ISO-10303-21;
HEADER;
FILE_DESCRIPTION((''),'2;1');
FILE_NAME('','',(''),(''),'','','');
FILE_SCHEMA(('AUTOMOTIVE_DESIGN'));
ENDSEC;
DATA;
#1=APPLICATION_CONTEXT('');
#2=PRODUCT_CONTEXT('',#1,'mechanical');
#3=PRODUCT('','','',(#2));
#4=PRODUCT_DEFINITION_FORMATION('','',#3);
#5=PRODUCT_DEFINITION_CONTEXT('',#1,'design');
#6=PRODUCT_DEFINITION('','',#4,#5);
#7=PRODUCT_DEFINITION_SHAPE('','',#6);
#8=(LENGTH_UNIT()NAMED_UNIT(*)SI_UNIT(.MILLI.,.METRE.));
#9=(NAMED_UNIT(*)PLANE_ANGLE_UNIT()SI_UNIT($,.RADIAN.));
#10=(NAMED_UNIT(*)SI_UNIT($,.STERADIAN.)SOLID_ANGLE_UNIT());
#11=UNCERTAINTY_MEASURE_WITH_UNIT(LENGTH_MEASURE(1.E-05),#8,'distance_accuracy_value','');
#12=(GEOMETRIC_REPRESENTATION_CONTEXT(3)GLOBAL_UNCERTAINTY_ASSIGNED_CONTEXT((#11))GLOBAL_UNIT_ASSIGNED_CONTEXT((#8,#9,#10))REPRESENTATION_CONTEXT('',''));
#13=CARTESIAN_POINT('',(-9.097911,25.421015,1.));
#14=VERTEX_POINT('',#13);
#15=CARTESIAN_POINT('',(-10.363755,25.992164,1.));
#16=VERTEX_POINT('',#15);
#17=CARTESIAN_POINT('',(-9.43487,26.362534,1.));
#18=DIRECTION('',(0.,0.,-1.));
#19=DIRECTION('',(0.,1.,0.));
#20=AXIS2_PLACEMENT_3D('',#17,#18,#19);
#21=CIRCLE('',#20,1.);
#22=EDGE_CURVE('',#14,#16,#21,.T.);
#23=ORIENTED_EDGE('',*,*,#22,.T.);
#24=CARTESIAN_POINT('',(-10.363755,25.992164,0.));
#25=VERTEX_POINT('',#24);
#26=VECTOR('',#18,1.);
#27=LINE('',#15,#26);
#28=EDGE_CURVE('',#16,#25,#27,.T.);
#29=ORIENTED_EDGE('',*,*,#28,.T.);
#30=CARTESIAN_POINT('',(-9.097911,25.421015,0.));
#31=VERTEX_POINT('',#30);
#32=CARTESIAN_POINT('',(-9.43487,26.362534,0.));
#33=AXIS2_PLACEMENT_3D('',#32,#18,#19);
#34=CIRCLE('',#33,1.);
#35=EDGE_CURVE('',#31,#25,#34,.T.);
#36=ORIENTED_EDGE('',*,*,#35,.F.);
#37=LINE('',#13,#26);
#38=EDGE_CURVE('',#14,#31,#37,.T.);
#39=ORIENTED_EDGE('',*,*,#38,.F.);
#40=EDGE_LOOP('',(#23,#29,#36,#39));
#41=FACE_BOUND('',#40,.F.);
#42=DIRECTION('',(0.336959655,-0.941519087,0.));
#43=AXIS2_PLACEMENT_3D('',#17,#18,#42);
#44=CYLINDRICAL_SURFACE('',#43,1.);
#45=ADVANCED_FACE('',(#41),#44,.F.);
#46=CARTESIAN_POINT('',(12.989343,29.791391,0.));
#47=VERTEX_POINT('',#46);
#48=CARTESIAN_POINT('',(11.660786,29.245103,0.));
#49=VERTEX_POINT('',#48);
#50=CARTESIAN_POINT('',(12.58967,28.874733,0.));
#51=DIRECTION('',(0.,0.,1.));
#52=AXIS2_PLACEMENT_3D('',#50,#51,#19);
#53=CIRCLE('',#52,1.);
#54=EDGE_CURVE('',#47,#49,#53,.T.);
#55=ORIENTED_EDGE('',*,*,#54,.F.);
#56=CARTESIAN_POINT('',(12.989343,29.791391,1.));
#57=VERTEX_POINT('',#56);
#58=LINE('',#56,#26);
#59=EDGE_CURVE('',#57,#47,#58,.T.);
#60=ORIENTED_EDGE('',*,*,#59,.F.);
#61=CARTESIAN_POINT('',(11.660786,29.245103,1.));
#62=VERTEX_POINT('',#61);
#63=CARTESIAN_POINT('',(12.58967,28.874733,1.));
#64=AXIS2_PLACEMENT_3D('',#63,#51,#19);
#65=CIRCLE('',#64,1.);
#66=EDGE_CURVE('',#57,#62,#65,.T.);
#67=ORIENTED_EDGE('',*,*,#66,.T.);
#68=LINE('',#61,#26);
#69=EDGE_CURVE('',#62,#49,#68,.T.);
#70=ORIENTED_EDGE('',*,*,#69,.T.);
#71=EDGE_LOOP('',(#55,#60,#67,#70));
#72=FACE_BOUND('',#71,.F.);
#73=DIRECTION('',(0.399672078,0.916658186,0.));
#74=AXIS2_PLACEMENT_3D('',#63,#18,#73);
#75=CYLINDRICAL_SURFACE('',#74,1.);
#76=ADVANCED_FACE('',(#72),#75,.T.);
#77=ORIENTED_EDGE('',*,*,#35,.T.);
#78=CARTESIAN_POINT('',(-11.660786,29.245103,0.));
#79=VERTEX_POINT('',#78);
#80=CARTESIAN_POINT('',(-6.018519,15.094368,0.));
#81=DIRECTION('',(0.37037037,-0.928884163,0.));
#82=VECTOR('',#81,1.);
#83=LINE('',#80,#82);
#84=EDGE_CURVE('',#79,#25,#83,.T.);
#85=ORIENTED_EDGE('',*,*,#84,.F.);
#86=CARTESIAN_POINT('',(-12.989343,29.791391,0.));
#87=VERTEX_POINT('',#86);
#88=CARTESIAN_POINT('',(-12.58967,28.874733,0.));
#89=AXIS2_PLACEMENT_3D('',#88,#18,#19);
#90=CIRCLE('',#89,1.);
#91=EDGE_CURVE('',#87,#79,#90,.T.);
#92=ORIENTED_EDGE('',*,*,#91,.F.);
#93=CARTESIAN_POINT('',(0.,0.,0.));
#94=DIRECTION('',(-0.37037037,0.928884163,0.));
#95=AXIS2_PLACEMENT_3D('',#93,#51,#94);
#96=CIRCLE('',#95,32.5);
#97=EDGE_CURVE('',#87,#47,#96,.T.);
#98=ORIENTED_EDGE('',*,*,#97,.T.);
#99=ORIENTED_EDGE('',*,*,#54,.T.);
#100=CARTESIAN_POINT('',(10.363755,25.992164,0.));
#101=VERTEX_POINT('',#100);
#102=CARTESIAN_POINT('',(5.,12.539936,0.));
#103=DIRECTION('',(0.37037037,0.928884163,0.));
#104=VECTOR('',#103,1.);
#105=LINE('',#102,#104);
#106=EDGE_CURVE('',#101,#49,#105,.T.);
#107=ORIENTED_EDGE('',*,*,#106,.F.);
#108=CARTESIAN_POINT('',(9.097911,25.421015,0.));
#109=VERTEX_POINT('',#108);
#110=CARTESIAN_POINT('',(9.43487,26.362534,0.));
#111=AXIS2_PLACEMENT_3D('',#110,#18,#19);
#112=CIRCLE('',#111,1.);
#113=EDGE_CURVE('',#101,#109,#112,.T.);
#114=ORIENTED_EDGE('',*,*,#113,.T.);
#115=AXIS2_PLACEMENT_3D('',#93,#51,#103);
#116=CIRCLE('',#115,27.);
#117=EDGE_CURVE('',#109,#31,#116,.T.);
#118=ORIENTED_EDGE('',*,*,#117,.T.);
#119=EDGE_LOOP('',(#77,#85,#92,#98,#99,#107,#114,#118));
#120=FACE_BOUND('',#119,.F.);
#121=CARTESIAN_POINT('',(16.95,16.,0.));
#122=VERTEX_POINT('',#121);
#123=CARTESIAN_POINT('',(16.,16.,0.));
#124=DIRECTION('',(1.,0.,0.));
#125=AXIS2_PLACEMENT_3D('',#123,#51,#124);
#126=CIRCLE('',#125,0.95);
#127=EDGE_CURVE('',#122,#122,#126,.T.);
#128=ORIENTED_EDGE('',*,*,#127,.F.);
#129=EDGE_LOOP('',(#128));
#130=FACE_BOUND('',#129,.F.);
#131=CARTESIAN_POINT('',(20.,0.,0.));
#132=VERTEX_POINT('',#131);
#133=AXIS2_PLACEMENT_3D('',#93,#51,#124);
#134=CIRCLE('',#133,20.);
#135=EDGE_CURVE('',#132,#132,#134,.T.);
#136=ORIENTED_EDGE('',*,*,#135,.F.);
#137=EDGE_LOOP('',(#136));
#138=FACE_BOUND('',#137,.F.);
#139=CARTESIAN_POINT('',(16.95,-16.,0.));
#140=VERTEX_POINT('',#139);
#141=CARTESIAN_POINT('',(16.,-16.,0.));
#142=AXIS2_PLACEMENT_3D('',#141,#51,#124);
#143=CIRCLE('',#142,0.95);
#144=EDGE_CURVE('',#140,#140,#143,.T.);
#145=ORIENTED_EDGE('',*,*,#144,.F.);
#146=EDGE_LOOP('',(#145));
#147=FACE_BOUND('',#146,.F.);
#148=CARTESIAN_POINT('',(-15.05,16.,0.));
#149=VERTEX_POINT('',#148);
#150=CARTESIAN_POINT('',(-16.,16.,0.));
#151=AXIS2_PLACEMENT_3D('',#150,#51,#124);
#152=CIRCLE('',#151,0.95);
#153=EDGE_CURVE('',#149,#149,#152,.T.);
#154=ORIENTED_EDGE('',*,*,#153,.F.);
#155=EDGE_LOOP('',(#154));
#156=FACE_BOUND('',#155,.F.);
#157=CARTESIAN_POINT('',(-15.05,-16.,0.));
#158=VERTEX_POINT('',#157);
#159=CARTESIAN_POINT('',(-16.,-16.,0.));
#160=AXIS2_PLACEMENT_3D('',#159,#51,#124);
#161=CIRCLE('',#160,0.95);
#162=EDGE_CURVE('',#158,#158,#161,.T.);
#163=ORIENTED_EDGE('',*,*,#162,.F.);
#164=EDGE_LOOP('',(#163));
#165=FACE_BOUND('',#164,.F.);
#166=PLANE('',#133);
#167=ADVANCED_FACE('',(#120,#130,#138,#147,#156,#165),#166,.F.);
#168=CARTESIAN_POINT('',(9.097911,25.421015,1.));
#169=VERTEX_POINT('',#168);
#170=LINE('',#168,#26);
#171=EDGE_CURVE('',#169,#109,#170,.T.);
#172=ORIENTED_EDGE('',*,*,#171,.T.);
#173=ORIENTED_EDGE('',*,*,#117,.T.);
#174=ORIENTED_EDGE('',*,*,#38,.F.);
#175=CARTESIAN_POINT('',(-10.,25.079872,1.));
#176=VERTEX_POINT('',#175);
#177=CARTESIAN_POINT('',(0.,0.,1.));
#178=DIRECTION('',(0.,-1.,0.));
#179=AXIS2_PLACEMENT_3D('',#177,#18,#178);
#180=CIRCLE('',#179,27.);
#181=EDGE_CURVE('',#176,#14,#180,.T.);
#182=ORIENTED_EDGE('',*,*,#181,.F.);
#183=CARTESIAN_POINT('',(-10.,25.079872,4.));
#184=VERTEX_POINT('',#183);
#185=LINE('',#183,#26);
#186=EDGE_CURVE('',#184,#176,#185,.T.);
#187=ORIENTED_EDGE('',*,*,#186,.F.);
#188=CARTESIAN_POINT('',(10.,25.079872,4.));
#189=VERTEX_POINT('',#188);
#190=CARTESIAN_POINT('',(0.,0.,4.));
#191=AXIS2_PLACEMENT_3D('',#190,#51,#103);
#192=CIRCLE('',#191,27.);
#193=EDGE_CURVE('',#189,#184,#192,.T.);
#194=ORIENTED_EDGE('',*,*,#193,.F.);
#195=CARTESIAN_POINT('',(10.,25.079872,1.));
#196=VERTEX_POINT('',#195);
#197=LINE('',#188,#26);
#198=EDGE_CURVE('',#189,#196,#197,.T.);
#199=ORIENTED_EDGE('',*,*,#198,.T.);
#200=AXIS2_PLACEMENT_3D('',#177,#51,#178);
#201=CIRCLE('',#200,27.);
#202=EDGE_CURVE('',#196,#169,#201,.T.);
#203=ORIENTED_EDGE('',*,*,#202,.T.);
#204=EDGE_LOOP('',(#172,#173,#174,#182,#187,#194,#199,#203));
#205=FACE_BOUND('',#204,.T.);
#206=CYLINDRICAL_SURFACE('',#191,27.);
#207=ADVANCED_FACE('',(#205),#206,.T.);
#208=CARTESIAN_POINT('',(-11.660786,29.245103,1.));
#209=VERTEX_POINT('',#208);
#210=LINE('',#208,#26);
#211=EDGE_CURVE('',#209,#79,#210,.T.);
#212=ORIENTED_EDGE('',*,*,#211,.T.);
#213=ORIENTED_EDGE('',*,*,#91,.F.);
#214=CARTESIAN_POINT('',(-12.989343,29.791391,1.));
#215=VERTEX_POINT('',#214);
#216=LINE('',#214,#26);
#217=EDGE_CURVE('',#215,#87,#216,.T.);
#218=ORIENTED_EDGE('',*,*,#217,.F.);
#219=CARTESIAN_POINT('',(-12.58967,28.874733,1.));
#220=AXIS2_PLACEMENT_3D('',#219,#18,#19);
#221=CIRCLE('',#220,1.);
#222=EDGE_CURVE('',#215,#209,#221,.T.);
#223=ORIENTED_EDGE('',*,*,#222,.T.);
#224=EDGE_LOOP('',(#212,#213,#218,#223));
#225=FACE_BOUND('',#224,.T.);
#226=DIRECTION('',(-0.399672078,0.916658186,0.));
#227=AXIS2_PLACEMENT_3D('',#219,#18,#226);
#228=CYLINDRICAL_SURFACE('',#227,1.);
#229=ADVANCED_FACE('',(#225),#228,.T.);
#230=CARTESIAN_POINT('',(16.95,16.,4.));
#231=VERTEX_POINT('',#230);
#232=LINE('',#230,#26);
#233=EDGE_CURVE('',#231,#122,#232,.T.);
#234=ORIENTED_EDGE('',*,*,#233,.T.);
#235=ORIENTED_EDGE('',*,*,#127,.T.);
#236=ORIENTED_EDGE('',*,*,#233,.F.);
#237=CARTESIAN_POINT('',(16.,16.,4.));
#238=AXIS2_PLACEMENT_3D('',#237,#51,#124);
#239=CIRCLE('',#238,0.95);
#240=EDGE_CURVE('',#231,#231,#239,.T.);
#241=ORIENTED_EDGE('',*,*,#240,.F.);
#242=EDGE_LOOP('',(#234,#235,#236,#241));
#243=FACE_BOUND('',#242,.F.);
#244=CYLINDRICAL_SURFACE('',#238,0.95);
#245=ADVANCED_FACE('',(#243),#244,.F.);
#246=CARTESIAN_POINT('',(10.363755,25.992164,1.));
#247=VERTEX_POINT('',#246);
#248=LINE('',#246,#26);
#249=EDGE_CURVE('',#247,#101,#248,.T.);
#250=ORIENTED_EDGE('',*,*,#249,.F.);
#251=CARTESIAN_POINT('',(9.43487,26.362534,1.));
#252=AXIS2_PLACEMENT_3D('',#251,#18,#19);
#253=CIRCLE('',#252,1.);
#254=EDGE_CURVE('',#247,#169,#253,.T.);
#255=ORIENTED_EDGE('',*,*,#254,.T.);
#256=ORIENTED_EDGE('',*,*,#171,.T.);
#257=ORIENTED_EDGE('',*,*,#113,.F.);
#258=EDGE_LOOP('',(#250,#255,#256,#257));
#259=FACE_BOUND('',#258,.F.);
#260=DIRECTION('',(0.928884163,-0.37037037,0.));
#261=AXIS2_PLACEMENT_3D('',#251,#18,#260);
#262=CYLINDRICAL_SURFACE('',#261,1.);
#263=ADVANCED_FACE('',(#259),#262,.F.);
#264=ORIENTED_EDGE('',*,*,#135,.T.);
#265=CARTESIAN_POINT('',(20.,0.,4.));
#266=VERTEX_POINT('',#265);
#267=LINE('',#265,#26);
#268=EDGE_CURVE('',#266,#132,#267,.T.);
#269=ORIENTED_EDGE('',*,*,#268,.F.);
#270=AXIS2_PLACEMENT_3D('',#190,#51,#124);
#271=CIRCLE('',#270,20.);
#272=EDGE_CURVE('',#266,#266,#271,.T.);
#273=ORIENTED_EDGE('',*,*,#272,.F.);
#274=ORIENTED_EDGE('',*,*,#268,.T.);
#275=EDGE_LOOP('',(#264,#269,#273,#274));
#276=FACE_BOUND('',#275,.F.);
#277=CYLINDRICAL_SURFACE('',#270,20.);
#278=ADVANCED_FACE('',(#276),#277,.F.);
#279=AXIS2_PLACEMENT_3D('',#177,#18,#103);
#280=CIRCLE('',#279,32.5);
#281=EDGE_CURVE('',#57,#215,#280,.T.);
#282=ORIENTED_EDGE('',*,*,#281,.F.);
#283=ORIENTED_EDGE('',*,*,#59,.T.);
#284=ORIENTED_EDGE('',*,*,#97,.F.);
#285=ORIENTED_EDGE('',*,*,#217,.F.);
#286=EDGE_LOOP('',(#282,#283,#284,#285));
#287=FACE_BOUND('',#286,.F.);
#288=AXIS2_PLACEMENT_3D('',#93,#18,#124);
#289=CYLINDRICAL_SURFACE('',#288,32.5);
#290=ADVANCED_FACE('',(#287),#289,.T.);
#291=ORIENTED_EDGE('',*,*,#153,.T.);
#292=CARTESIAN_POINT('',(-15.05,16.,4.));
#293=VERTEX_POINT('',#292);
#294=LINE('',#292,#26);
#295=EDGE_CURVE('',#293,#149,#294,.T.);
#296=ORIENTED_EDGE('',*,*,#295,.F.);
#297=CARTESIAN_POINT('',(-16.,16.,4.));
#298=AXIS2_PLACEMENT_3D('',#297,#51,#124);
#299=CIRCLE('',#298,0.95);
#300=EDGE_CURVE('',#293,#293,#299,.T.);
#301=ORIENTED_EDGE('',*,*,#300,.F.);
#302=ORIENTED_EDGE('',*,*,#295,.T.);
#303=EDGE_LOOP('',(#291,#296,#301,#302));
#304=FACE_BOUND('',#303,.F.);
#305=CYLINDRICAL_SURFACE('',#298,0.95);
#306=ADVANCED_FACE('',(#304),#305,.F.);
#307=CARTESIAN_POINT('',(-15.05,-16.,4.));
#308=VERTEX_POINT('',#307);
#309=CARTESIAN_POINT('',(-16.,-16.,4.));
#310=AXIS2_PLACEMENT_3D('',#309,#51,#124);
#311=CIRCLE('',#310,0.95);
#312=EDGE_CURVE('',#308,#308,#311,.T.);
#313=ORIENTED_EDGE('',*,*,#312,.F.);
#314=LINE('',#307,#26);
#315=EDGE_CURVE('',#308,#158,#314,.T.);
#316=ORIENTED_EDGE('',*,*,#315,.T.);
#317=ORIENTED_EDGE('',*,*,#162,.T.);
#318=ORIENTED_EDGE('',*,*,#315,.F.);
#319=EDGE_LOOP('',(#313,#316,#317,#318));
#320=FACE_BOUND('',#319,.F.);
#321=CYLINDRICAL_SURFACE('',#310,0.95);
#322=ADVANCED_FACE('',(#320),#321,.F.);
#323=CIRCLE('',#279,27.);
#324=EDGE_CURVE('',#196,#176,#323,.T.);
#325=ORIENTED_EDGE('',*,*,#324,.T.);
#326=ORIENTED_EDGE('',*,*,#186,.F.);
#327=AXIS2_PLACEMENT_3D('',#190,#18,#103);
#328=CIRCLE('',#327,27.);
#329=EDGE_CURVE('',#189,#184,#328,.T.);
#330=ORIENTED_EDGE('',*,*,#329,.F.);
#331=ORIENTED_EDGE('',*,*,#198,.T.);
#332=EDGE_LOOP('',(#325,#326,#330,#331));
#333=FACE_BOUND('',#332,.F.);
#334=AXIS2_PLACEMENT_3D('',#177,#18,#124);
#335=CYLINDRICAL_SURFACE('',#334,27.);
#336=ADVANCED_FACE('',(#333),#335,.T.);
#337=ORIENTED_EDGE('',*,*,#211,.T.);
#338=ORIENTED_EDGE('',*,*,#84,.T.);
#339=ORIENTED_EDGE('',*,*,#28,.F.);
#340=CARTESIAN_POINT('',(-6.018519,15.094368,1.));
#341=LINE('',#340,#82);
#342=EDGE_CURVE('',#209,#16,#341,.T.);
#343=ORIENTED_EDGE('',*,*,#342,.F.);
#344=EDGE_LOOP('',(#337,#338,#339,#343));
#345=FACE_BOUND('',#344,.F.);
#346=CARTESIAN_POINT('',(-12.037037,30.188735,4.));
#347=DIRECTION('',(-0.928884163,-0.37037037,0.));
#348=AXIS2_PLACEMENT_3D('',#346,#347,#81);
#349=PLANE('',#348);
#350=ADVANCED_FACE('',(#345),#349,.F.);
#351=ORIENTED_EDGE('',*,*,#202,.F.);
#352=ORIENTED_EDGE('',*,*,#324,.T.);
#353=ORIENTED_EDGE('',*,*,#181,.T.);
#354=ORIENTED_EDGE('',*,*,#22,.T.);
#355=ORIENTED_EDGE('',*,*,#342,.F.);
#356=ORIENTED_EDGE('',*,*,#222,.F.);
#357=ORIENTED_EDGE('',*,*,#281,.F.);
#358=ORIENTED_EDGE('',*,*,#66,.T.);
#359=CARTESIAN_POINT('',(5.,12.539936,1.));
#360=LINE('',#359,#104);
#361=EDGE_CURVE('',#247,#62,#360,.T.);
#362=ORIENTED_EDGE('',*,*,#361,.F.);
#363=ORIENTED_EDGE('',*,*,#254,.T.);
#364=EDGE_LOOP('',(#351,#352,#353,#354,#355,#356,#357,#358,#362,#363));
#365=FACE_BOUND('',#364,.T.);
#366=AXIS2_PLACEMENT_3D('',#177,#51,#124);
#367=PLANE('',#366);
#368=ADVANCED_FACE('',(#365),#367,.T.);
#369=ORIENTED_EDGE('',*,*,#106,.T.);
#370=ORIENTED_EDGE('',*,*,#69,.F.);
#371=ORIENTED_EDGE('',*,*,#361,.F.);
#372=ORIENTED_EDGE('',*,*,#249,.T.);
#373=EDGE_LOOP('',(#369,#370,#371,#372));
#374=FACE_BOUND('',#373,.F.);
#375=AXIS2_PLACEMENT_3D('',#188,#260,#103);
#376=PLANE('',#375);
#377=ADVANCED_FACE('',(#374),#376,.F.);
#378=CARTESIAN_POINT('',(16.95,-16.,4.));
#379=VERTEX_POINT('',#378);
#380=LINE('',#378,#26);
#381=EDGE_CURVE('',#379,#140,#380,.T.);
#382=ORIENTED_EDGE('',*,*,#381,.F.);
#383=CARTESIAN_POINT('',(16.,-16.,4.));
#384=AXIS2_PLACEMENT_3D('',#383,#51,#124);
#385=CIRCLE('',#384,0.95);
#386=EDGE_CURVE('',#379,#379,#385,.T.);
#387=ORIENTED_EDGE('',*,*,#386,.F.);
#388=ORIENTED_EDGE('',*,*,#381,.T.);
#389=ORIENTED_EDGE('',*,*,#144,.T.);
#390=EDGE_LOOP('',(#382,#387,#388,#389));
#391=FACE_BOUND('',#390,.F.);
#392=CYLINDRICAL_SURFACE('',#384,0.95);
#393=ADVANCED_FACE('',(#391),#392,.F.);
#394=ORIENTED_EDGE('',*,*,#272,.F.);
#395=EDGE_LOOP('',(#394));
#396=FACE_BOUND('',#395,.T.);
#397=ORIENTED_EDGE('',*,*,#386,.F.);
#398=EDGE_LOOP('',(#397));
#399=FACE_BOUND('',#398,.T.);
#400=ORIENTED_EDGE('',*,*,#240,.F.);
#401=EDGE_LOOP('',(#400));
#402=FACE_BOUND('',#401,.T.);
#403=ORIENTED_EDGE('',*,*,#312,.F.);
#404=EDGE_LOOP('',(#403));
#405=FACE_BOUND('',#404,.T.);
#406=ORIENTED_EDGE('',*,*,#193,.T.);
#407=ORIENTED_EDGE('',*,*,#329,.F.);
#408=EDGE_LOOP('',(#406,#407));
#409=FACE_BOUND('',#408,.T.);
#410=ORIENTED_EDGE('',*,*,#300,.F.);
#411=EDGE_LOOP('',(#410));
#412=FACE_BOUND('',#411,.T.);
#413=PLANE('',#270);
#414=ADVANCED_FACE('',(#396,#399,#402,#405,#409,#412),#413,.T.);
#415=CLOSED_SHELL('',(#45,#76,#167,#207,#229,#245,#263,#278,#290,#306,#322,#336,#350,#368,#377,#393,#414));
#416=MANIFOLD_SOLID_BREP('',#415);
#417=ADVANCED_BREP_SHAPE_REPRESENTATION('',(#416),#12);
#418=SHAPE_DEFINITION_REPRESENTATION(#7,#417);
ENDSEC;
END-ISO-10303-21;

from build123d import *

# Parameters (mm, degrees)
SKETCH_R        = 32.5
PAD_DEPTH       = 1
SKETCH001_R     = 27
PAD001_DEPTH    = 3
SKETCH002_R     = 0.95
POCKET_DEPTH    = 5
SKETCH003_R     = 20
POCKET001_DEPTH = 5
FILLET_R        = 1


with BuildPart() as part:
    # Sketch → Pad (new body)
    with BuildSketch(Plane.XY):
        Circle(SKETCH_R)
    extrude(amount=PAD_DEPTH)

    # Sketch001 (on Face3 of Pad) → Pad001 (join)
    with BuildSketch(Plane.XY.offset(1)):
        Circle(SKETCH001_R)
    extrude(amount=PAD001_DEPTH)

    # Sketch002 (on Face5 of Pad001) → Pocket (cut)
    with BuildSketch(Plane.XY.offset(4)):
        with Locations((-16, 16)):
            Circle(SKETCH002_R)
        with Locations((16, 16)):
            Circle(SKETCH002_R)
        with Locations((-16, -16)):
            Circle(SKETCH002_R)
        with Locations((16, -16)):
            Circle(SKETCH002_R)
    extrude(amount=-POCKET_DEPTH, mode=Mode.SUBTRACT)

    # Sketch003 (on Face9 of Pocket) → Pocket001 (cut)
    with BuildSketch(Plane.XY.offset(4)):
        Circle(SKETCH003_R)
        with BuildLine():
            ThreePointArc((10, 25.079872408), (0, 27), (-10, 25.079872408))
            Line((-12.037037037, 30.1887353059), (-10, 25.079872408))
            ThreePointArc((12.037037037, 30.1887353059), (0, 32.5), (-12.037037037, 30.1887353059))
            Line((10, 25.079872408), (12.037037037, 30.1887353059))
        make_face()
    extrude(amount=-POCKET001_DEPTH, mode=Mode.SUBTRACT)

    # Fillet
    fillet_edges = [part.edges().sort_by_distance(p)[0] for p in [
        (12.037037, 30.188735, 0.5),
        (-12.037037, 30.188735, 0.5),
        (-10, 25.079872, 0.5),
        (10, 25.079872, 0.5),
    ]]
    fillet(fillet_edges, radius=FILLET_R)


solid = part.part
